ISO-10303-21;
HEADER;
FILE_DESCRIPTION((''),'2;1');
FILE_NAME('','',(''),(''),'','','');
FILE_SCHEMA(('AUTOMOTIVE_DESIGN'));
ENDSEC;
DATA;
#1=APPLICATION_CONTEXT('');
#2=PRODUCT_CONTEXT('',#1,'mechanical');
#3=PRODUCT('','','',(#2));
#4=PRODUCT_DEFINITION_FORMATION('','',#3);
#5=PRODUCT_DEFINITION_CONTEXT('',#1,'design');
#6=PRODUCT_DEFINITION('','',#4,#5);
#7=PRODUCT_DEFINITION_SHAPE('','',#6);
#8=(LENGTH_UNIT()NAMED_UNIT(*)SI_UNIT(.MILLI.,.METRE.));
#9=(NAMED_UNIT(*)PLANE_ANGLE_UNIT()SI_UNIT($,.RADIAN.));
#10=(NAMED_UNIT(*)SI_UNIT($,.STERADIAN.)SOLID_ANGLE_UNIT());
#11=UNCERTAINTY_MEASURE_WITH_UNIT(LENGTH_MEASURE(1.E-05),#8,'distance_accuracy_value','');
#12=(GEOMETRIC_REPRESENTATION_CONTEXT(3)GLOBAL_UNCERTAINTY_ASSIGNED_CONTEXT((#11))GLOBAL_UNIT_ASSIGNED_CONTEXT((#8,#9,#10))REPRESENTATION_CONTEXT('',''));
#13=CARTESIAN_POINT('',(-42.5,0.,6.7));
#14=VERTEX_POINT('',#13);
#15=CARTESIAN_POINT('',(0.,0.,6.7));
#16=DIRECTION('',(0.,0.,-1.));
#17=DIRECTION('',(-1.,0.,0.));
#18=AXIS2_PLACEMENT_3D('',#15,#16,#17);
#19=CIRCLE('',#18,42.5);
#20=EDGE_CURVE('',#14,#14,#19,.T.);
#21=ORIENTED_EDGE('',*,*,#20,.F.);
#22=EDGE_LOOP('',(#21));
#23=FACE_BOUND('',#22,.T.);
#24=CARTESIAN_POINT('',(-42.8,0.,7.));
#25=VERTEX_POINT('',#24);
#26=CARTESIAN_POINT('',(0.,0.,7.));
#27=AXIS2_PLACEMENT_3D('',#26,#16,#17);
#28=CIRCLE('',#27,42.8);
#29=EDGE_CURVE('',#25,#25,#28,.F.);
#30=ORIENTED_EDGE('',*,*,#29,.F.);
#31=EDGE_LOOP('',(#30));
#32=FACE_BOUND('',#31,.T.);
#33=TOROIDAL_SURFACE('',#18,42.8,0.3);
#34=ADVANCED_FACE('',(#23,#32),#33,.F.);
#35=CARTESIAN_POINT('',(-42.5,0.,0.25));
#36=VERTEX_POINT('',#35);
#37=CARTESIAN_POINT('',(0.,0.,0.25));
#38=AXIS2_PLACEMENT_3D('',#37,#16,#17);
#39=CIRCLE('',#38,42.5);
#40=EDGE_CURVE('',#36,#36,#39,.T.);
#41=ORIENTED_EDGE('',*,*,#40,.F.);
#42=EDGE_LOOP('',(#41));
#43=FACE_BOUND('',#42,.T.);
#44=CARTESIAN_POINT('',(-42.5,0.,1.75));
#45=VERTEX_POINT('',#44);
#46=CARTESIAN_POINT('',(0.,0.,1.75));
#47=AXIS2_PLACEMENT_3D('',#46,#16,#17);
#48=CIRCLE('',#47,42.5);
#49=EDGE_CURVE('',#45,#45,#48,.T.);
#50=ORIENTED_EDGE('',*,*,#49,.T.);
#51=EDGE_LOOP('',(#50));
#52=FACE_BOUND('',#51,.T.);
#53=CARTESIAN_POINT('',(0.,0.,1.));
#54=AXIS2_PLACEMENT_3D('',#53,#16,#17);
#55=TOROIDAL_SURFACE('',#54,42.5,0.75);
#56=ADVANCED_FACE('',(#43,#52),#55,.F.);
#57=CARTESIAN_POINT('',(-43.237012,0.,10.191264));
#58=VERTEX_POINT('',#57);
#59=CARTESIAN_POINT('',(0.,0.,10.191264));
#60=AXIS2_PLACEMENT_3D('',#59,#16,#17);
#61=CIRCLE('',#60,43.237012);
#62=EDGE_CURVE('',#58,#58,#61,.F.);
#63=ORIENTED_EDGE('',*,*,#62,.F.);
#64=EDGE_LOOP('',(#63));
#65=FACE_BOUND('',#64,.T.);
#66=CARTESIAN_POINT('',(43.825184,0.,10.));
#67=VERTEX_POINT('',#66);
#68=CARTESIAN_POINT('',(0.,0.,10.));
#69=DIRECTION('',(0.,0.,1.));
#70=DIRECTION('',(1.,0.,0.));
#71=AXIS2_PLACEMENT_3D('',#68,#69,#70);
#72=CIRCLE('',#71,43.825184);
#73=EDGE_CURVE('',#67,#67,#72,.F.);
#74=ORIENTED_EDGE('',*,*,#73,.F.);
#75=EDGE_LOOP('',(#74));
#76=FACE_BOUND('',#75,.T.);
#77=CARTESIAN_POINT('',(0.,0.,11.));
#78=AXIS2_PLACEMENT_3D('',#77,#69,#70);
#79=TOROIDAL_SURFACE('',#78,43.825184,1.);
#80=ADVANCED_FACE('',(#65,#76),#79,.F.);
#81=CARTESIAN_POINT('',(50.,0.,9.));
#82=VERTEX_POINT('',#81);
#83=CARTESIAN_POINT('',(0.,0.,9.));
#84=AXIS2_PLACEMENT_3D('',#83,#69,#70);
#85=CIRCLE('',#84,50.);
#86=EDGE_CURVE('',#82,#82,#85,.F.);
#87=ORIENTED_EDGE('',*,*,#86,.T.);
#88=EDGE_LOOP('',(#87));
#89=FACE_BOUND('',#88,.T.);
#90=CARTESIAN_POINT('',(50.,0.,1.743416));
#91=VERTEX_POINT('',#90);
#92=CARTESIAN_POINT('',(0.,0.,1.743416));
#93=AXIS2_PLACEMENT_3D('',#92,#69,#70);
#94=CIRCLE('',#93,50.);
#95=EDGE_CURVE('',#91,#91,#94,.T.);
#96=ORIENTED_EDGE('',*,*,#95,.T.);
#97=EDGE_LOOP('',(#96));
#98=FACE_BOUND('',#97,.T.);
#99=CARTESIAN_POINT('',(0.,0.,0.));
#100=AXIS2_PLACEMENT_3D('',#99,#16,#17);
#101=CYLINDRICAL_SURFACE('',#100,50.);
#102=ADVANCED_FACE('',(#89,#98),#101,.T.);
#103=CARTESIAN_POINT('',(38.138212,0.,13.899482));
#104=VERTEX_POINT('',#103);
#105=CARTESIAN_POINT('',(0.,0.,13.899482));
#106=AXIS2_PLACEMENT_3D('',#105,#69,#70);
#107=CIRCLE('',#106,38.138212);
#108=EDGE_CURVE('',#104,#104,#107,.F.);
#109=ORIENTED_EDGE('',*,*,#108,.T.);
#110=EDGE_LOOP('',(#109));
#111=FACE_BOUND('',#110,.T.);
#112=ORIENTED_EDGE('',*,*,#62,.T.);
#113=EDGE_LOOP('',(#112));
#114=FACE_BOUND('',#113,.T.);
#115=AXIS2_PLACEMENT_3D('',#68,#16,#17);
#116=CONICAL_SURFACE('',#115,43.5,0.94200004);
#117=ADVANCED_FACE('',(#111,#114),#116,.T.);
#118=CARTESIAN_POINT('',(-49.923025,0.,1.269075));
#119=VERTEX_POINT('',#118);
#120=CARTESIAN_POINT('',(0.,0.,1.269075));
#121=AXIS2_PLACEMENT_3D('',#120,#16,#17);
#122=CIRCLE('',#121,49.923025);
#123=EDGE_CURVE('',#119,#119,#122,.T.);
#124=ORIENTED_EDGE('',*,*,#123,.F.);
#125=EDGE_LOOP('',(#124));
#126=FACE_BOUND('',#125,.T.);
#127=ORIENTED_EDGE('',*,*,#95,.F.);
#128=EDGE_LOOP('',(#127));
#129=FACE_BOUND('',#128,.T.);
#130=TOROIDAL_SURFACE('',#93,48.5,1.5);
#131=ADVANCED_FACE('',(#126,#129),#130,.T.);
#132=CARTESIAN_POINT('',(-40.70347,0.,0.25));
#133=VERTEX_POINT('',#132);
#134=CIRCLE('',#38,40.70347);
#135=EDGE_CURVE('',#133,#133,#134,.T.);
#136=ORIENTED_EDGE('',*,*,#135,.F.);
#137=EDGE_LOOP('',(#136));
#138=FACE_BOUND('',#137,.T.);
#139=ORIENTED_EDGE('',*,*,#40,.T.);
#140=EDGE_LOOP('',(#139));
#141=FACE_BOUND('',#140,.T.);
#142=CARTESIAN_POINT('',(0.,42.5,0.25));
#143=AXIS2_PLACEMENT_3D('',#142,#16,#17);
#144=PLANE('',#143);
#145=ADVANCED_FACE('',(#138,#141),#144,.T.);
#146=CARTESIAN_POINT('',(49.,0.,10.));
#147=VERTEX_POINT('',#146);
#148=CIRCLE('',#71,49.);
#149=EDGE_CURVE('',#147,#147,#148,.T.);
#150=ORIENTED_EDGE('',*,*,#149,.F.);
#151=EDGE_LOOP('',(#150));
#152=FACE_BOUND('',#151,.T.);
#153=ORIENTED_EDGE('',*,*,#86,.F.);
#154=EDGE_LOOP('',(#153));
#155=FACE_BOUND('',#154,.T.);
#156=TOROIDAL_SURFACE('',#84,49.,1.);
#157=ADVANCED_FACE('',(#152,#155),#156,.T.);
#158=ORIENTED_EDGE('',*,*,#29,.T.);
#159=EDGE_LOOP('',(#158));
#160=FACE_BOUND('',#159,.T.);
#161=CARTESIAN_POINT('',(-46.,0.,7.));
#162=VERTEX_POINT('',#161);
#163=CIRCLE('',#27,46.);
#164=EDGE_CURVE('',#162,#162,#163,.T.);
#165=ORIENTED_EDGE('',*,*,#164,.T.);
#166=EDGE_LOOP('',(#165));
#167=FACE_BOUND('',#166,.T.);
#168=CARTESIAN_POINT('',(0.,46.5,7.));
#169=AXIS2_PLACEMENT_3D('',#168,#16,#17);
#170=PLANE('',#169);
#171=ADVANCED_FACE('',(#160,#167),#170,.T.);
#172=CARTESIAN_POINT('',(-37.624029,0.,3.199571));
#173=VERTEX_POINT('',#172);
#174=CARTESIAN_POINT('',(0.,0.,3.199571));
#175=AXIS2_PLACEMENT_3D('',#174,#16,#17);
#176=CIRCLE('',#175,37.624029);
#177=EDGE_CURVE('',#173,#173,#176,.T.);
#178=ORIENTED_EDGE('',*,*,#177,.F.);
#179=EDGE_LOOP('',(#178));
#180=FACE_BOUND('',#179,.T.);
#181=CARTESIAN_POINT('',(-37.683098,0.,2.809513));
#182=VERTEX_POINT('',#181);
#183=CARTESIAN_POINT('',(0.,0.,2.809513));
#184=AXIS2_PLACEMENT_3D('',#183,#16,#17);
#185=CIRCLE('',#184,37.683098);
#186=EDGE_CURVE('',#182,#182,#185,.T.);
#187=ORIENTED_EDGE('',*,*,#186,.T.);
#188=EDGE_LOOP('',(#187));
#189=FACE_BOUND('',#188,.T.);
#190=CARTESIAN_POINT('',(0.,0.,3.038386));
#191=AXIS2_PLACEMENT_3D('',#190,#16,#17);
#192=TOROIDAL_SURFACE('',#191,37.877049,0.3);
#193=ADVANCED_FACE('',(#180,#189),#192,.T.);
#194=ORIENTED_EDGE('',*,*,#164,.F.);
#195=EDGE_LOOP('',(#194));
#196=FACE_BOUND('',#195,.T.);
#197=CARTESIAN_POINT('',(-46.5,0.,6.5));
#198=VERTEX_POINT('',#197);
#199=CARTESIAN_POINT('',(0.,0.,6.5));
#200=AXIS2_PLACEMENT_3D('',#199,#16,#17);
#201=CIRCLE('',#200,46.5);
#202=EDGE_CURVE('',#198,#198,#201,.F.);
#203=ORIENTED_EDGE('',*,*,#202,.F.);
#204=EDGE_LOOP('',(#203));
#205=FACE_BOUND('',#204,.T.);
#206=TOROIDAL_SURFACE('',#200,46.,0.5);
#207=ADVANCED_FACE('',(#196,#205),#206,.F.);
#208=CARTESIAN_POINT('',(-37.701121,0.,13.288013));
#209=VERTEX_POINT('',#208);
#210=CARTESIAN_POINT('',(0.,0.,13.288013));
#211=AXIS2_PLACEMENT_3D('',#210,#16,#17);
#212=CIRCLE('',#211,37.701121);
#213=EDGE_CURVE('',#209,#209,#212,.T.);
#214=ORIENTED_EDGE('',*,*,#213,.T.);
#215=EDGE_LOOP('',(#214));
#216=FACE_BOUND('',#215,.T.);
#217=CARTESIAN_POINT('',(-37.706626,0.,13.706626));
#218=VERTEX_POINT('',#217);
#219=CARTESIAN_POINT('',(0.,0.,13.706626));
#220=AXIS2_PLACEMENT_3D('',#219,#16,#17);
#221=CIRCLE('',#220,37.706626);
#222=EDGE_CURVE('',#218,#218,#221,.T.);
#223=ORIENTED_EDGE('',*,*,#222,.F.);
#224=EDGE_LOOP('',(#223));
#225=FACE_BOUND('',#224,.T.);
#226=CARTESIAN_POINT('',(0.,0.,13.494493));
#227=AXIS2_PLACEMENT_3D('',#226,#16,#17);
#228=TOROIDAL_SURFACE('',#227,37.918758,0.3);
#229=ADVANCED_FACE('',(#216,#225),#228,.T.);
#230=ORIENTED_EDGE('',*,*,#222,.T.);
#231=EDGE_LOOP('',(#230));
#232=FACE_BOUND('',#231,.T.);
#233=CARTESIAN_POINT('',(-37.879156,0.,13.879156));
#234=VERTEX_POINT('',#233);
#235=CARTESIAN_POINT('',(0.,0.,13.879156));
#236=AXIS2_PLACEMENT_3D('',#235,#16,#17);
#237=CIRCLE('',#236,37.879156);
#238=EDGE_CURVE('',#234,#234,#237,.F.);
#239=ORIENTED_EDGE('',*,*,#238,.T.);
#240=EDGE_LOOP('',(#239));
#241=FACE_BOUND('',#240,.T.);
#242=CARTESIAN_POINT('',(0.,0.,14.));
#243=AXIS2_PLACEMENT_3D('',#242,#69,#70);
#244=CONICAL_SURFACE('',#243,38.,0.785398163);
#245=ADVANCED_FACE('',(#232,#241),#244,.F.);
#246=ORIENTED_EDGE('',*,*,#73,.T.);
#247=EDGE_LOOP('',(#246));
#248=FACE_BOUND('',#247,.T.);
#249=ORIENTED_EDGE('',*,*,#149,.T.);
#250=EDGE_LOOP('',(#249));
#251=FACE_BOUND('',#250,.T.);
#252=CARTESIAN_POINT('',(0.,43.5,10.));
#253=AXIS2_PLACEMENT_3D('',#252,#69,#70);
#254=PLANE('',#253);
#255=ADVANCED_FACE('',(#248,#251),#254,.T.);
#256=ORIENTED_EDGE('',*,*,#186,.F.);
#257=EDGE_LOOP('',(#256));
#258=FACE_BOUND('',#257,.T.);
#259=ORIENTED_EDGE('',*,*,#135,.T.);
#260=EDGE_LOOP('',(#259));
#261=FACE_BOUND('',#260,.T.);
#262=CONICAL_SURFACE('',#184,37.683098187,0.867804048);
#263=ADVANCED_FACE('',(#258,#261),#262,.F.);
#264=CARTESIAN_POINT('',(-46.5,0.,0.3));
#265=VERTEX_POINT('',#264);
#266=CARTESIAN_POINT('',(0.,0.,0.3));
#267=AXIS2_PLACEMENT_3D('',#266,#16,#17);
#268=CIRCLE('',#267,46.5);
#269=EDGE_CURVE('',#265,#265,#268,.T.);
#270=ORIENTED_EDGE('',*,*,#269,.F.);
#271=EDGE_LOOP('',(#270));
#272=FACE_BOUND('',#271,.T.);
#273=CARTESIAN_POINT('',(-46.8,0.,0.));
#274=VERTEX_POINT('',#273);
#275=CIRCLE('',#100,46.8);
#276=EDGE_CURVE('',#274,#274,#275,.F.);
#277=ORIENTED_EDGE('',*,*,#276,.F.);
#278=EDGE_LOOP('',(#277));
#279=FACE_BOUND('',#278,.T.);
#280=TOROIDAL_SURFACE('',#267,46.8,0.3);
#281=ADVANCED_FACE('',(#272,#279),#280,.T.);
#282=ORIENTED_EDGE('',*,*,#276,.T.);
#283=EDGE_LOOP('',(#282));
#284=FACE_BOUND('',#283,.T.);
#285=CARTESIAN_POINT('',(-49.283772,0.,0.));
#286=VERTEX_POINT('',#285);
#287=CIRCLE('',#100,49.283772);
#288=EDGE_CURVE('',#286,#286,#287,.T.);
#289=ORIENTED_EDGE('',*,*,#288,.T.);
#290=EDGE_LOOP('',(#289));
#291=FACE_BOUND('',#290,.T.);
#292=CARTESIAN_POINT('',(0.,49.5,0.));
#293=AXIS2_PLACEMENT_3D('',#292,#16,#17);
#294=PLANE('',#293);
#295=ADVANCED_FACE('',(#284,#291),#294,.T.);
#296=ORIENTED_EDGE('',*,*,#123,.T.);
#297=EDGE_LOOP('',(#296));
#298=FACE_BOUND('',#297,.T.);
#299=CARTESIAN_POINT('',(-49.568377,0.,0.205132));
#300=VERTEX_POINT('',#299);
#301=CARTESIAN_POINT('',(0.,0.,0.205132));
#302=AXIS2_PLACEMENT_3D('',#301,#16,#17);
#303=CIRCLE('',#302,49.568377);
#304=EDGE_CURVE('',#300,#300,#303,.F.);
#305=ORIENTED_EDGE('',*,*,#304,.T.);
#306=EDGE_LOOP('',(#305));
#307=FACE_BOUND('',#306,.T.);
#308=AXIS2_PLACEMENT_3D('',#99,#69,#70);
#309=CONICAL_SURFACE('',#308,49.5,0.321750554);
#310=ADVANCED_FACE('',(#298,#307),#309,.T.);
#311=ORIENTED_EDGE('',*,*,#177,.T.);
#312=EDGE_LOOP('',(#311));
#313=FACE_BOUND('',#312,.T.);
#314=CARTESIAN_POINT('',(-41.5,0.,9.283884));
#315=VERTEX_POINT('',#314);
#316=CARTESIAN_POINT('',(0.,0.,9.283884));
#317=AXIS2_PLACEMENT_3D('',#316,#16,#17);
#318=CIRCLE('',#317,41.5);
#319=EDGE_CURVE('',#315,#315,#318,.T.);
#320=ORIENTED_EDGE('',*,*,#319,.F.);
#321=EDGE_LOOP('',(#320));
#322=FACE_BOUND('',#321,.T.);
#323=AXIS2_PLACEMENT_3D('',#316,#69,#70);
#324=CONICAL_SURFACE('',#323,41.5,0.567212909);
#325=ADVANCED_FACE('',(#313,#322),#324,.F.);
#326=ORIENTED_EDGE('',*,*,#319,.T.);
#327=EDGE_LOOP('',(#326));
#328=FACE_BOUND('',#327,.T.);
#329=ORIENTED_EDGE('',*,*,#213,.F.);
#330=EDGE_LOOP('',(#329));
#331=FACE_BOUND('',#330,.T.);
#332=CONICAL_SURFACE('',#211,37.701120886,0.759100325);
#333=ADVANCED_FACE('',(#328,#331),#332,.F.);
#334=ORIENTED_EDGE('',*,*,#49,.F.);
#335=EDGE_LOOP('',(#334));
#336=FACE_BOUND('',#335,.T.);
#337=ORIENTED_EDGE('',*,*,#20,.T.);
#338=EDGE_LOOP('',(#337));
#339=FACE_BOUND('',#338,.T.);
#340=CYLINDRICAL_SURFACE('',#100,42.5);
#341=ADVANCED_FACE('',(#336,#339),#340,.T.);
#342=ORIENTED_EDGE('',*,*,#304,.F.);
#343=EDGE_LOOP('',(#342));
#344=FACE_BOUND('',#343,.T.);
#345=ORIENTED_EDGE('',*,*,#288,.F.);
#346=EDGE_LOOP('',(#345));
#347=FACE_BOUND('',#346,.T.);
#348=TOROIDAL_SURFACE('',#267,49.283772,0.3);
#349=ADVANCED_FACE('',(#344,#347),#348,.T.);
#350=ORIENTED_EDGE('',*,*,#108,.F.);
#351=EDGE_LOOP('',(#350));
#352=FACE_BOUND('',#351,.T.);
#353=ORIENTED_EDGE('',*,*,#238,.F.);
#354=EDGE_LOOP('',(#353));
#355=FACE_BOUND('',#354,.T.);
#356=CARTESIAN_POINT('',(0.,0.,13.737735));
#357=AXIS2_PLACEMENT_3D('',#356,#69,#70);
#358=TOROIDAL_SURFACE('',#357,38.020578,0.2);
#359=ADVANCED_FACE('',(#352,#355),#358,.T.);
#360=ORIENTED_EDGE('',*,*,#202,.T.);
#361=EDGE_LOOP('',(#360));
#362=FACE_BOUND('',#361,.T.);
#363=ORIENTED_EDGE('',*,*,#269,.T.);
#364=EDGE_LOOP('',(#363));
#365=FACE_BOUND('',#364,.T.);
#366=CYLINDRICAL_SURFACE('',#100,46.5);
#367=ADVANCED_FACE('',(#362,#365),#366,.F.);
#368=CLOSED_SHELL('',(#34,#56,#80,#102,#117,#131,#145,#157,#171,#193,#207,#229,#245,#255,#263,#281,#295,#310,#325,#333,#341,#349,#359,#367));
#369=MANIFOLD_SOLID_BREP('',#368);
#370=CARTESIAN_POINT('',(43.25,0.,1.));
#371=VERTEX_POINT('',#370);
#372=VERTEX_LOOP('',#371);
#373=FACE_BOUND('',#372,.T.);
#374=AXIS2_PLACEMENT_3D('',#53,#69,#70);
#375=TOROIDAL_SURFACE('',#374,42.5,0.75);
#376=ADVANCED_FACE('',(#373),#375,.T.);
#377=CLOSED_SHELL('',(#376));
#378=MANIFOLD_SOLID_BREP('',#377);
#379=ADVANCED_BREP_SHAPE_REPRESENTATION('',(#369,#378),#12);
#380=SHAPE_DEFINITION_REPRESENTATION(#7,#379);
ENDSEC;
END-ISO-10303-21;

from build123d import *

# Parameters (mm, degrees)
FILLET_1_R = 1
FILLET_2_R = 0.2
FILLET_3_R = 1
FILLET_4_R = 0.3
FILLET_5_R = 1.5
FILLET_6_R = 0.3
FILLET_7_R = 0.5
FILLET_8_R = 0.3
SKETCH_5_R = 0.75


with BuildPart() as part:
    # Эскиз1 → Повернуть1 (revolve)
    with BuildSketch(Plane(origin=(0, 0, 0), x_dir=(0, 0, -1), z_dir=(1, 0, 0)), mode=Mode.PRIVATE) as revolve_1_sk:
        with BuildLine():
            Line((-13.706625508, 37.706625508), (-14, 38))
            Line((-14, 38), (-10, 43.5))
            Line((-10, 43.5), (-10, 50))
            Line((-10, 50), (-1.5, 50))
            Line((-1.5, 50), (0, 49.5))
            Line((0, 49.5), (0, 46.5))
            Line((0, 46.5), (-7, 46.5))
            Line((-7, 46.5), (-7, 42.5))
            Line((-7, 42.5), (-1.75, 42.5))
            ThreePointArc((-1.75, 42.5), (-1, 41.75), (-0.25, 42.5))
            Line((-0.25, 42.5), (-0.25, 40.703470277))
            Line((-0.25, 40.703470277), (-2.809513055, 37.683098187))
            ThreePointArc((-2.809513055, 37.683098187), (-2.993467268, 37.580431153), (-3.199571431, 37.624028701))
            Line((-3.199571431, 37.624028701), (-9.283884091, 41.5))
            Line((-9.283884091, 41.5), (-13.288012759, 37.701120886))
            ThreePointArc((-13.288012759, 37.701120886), (-13.498438036, 37.618783476), (-13.706625508, 37.706625508))
        make_face()
    revolve(revolve_1_sk.sketch.rotate(Axis((0, 0, 0), (0, 0, 1)), 90), axis=Axis((0, 0, 0), (0, 0, 1)))

    # Скругление1
    fillet_1_edges = [part.edges().sort_by_distance(p)[0] for p in [
        (43.5, 0, 10),
    ]]
    fillet(fillet_1_edges, radius=FILLET_1_R)

    # Скругление2
    fillet_2_edges = [part.edges().sort_by_distance(p)[0] for p in [
        (38, 0, 14),
    ]]
    fillet(fillet_2_edges, radius=FILLET_2_R)

    # Скругление3
    fillet_3_edges = [part.edges().sort_by_distance(p)[0] for p in [
        (50, 0, 10),
    ]]
    fillet(fillet_3_edges, radius=FILLET_3_R)

    # Скругление4
    fillet_4_edges = [part.edges().sort_by_distance(p)[0] for p in [
        (49.5, 0, 0),
    ]]
    fillet(fillet_4_edges, radius=FILLET_4_R)

    # Скругление5
    fillet_5_edges = [part.edges().sort_by_distance(p)[0] for p in [
        (50, 0, 1.5),
    ]]
    fillet(fillet_5_edges, radius=FILLET_5_R)

    # Скругление6
    fillet_6_edges = [part.edges().sort_by_distance(p)[0] for p in [
        (46.5, 0, 0),
    ]]
    fillet(fillet_6_edges, radius=FILLET_6_R)

    # Скругление7
    fillet_7_edges = [part.edges().sort_by_distance(p)[0] for p in [
        (46.5, 0, 7),
    ]]
    fillet(fillet_7_edges, radius=FILLET_7_R)

    # Скругление8
    fillet_8_edges = [part.edges().sort_by_distance(p)[0] for p in [
        (42.5, 0, 7),
    ]]
    fillet(fillet_8_edges, radius=FILLET_8_R)


with BuildPart() as body_2:
    # Эскиз5 → Повернуть2 (revolve)
    with BuildSketch(Plane(origin=(0, 0, 0), x_dir=(0, 0, -1), z_dir=(1, 0, 0)), mode=Mode.PRIVATE) as revolve_2_sk:
        with Locations((-1, 42.5)):
            Circle(SKETCH_5_R)
    revolve(revolve_2_sk.sketch.rotate(Axis((0, 0, 0), (0, 0, -1)), 90), axis=Axis((0, 0, 0), (0, 0, -1)))


solid = Compound([part.part, body_2.part])
